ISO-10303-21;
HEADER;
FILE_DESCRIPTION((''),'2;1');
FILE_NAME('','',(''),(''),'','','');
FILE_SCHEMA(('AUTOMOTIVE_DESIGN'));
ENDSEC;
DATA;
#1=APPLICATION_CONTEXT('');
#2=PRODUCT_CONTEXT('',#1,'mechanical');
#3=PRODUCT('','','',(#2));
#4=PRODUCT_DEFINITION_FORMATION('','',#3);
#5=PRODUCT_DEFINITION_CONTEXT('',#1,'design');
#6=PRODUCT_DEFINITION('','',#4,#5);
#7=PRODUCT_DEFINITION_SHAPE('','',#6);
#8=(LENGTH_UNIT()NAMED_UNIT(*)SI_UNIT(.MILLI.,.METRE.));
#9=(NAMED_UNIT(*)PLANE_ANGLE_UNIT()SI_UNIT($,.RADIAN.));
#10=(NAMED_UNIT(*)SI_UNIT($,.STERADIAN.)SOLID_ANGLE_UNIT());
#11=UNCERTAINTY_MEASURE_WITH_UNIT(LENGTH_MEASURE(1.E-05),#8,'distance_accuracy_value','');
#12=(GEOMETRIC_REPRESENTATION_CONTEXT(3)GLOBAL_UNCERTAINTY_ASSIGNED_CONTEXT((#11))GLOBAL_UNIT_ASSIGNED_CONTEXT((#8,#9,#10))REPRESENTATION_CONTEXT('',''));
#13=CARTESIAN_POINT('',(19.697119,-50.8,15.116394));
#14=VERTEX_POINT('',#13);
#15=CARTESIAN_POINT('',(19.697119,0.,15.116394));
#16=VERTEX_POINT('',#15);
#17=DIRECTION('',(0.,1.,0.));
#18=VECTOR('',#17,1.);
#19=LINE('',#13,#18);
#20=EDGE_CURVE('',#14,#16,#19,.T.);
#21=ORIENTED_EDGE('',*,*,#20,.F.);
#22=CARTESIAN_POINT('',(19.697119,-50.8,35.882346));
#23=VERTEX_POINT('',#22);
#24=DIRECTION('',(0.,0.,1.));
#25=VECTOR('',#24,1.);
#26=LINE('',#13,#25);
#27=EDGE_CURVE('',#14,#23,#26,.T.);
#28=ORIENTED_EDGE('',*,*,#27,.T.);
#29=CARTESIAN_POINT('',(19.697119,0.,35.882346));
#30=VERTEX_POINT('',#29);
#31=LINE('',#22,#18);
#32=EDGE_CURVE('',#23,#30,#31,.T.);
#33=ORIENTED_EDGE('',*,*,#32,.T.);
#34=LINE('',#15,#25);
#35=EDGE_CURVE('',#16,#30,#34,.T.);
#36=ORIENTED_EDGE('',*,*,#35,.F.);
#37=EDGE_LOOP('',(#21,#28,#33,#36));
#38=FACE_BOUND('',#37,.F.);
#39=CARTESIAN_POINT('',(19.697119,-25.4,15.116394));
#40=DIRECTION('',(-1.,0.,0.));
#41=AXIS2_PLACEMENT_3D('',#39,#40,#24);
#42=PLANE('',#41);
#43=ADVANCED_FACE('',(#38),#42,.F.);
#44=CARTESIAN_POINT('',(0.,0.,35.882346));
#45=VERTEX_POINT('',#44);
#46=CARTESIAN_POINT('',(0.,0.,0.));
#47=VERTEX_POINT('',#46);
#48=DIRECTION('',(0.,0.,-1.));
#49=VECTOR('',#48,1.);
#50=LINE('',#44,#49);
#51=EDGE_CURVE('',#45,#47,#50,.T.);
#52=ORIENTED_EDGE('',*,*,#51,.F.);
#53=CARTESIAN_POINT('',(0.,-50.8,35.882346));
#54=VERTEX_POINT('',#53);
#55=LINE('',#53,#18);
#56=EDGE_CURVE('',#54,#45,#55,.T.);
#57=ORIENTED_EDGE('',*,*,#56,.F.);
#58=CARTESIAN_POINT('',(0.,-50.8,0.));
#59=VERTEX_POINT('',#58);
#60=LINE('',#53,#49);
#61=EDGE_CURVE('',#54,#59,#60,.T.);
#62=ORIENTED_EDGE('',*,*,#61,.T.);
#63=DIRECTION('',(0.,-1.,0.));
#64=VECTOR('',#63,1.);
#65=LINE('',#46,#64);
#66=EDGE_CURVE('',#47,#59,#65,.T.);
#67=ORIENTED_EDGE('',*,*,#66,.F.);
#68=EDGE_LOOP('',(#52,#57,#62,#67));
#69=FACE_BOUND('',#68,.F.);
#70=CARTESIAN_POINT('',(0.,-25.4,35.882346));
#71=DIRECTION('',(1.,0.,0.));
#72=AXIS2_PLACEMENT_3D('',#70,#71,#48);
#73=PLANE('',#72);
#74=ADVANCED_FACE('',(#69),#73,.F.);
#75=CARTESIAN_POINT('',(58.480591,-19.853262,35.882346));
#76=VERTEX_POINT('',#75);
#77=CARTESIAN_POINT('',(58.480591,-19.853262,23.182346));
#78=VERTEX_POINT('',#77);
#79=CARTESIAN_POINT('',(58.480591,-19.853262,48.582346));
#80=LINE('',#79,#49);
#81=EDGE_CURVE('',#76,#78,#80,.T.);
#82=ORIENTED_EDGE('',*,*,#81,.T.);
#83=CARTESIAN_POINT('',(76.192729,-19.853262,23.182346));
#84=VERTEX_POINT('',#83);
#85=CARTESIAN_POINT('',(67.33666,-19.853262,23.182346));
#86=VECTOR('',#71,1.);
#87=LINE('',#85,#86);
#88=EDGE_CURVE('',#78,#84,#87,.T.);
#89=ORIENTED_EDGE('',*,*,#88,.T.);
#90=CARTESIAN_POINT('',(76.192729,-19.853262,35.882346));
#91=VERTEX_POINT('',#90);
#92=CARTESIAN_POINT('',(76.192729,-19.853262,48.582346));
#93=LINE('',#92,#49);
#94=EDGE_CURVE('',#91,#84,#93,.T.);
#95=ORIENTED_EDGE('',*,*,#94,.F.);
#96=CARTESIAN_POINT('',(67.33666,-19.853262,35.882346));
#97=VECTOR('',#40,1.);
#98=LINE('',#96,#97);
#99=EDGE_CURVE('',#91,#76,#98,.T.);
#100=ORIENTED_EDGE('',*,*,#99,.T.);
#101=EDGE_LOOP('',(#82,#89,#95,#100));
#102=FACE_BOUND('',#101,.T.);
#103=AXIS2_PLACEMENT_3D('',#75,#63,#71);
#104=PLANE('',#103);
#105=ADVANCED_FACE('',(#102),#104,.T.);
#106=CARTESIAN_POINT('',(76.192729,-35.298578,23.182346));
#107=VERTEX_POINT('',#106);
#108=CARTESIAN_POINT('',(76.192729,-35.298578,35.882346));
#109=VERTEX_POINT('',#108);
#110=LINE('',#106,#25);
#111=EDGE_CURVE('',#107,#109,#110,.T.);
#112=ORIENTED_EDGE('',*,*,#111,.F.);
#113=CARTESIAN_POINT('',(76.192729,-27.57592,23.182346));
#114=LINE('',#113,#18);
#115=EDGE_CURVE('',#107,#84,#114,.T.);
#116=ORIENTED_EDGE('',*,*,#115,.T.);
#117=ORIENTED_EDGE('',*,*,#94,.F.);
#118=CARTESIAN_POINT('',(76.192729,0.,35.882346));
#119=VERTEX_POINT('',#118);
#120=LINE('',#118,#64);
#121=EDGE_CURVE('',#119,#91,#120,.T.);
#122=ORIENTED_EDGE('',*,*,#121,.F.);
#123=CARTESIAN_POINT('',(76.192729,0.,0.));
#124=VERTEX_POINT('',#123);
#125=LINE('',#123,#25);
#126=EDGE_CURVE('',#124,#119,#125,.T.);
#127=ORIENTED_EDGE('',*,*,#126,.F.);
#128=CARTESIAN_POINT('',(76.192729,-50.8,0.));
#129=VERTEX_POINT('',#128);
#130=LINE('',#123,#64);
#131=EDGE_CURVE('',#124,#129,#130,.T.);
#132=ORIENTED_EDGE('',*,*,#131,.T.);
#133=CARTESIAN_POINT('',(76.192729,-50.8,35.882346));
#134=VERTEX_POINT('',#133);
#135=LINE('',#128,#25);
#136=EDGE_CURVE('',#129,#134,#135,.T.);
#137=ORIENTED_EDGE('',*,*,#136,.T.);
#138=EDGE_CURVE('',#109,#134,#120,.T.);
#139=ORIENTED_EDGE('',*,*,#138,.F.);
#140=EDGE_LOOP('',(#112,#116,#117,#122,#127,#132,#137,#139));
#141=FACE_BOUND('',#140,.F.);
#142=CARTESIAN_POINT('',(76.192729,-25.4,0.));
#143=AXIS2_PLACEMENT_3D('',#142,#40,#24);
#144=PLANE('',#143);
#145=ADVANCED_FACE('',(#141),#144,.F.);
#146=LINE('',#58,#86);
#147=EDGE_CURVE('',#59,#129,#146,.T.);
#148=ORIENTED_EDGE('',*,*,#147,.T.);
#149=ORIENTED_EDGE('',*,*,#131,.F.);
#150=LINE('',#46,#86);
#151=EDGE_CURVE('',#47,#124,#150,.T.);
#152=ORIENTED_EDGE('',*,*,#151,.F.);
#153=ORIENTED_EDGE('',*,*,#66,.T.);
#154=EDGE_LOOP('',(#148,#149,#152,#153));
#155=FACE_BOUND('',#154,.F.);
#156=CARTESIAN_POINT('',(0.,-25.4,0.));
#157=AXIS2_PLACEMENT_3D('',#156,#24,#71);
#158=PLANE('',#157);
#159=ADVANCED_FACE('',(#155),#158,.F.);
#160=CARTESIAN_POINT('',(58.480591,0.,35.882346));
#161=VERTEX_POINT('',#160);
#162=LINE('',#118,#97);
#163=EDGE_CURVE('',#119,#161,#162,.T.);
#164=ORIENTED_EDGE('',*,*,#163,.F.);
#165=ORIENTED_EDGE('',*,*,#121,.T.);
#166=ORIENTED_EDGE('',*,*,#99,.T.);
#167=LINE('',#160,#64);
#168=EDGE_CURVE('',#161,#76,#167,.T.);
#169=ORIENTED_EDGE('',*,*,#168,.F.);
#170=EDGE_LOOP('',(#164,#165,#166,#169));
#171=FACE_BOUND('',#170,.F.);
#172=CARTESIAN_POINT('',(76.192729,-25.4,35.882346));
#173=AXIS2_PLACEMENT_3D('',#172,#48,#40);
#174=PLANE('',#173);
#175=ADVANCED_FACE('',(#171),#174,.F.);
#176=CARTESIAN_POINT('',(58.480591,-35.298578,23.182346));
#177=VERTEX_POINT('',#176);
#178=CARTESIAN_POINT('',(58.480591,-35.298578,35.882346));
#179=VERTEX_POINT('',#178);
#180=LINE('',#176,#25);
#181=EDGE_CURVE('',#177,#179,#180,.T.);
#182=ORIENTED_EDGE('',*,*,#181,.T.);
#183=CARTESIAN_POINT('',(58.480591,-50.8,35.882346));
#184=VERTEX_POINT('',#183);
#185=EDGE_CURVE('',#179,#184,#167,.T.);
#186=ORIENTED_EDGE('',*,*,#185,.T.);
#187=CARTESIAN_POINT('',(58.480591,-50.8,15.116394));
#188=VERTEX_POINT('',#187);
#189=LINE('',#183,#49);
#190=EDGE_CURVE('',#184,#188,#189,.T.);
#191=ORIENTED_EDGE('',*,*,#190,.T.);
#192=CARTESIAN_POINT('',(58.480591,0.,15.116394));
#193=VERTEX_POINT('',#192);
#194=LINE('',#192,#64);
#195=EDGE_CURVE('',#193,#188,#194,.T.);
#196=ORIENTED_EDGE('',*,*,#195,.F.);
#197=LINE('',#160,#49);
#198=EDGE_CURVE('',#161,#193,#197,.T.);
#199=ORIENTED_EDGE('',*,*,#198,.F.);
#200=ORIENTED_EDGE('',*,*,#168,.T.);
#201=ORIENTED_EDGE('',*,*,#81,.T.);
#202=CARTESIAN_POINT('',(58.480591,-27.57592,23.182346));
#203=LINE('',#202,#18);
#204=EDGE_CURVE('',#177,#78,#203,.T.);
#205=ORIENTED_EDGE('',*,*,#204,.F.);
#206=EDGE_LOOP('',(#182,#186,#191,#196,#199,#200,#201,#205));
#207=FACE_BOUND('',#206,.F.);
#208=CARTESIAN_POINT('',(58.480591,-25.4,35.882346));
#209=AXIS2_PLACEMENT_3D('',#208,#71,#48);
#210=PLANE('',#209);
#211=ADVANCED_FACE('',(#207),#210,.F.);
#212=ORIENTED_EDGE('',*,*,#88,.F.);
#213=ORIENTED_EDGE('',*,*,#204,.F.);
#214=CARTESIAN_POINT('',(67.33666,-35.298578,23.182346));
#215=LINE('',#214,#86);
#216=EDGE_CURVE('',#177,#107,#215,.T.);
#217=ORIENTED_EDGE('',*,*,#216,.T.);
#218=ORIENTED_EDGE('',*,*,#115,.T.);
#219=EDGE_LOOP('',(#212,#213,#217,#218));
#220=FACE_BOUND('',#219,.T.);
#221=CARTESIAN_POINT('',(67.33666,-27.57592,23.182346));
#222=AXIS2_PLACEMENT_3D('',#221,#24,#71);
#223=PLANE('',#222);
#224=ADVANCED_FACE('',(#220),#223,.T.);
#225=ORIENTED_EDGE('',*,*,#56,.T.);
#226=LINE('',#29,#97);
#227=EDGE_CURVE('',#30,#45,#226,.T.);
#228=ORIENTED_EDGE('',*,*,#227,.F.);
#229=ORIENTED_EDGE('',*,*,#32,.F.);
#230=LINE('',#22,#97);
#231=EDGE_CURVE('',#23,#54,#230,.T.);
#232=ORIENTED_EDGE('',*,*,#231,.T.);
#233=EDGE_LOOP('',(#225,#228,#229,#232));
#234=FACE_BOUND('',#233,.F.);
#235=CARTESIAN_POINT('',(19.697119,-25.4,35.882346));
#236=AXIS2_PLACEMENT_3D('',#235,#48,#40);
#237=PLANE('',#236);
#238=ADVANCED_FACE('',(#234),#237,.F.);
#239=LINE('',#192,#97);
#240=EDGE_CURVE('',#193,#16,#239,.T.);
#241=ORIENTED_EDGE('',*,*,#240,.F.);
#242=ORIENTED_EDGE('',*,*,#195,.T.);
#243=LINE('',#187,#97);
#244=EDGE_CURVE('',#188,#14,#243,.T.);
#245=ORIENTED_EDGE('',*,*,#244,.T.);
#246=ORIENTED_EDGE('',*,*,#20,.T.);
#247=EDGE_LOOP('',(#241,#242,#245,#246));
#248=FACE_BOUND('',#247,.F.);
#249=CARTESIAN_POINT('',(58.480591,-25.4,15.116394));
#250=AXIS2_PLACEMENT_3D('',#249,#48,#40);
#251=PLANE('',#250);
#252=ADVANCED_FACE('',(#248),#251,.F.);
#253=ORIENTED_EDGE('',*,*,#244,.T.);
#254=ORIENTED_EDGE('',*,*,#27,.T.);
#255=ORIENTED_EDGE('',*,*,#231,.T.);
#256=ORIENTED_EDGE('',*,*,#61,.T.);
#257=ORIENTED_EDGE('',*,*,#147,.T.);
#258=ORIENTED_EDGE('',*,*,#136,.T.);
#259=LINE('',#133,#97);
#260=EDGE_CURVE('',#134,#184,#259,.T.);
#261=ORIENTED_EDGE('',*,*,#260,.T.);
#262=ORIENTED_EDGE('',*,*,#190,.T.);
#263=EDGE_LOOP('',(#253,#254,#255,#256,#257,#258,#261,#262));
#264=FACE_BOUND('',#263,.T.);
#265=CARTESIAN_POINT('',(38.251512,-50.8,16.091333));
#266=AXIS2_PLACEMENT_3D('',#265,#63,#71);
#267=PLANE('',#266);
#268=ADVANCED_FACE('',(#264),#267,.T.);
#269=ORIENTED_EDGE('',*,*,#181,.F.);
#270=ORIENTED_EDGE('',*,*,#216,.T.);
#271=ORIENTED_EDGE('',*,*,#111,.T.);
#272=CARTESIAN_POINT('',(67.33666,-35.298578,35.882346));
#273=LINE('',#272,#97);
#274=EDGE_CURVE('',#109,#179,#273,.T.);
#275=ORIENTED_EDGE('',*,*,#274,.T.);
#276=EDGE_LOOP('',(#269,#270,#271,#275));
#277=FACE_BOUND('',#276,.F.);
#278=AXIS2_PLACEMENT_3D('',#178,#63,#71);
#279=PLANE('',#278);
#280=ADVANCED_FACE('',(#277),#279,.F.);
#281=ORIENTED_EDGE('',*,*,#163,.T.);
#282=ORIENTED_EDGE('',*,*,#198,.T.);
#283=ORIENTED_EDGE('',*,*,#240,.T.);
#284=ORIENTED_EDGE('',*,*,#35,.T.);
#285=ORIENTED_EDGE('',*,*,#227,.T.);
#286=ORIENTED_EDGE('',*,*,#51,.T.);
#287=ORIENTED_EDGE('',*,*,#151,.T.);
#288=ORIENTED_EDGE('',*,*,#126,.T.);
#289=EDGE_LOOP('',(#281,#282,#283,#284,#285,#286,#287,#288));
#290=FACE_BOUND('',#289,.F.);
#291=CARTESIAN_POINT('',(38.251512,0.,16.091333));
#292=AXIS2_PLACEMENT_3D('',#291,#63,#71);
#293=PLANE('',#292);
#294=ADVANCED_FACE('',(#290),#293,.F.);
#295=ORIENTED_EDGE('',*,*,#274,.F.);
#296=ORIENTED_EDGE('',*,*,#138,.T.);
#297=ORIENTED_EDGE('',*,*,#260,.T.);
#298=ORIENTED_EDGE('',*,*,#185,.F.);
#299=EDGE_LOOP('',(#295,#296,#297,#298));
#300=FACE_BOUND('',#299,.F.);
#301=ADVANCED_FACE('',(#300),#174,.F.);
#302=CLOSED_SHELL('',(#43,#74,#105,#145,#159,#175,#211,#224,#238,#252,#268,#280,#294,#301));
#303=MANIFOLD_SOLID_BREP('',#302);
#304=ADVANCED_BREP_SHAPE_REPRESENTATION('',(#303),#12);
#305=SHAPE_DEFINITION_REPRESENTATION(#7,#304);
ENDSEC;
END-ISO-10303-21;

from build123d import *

# Parameters (mm, degrees)
F1_DEPTH = 25.4
F2_DEPTH = 25.4
F3_W     = 17.7121385932
F3_H     = 15.4453162104
F4_DEPTH = 12.7


with BuildPart() as f1:
    # F0 (on Front) → F1 (new body)
    with BuildSketch(Plane.XZ):
        Polygon((0, 35.8823463321), (0, 0), (76.1927291751, 0), (76.1927291751, 35.8823463321), (58.4805905819, 35.8823463321), (58.4805905819, 15.1163935661), (19.6971185505, 15.1163935661), (19.6971185505, 35.8823463321), align=None)
    extrude(amount=F1_DEPTH)

    # F2 (add): a face of the model
    f2_faces = [f1.faces().sort_by_distance(p)[0] for p in [
        (37.6819042915, -25.4, 14.7848969887),
    ]]
    extrude(f2_faces, amount=F2_DEPTH)

    # F3 (on face) → F4 (cut, symmetric)
    with BuildSketch(Plane.XY.offset(35.8823463321)):
        with Locations((67.3366598785, -27.5759203359)):
            Rectangle(F3_W, F3_H)
    extrude(amount=F4_DEPTH, both=True, mode=Mode.SUBTRACT)


solid = f1.part
